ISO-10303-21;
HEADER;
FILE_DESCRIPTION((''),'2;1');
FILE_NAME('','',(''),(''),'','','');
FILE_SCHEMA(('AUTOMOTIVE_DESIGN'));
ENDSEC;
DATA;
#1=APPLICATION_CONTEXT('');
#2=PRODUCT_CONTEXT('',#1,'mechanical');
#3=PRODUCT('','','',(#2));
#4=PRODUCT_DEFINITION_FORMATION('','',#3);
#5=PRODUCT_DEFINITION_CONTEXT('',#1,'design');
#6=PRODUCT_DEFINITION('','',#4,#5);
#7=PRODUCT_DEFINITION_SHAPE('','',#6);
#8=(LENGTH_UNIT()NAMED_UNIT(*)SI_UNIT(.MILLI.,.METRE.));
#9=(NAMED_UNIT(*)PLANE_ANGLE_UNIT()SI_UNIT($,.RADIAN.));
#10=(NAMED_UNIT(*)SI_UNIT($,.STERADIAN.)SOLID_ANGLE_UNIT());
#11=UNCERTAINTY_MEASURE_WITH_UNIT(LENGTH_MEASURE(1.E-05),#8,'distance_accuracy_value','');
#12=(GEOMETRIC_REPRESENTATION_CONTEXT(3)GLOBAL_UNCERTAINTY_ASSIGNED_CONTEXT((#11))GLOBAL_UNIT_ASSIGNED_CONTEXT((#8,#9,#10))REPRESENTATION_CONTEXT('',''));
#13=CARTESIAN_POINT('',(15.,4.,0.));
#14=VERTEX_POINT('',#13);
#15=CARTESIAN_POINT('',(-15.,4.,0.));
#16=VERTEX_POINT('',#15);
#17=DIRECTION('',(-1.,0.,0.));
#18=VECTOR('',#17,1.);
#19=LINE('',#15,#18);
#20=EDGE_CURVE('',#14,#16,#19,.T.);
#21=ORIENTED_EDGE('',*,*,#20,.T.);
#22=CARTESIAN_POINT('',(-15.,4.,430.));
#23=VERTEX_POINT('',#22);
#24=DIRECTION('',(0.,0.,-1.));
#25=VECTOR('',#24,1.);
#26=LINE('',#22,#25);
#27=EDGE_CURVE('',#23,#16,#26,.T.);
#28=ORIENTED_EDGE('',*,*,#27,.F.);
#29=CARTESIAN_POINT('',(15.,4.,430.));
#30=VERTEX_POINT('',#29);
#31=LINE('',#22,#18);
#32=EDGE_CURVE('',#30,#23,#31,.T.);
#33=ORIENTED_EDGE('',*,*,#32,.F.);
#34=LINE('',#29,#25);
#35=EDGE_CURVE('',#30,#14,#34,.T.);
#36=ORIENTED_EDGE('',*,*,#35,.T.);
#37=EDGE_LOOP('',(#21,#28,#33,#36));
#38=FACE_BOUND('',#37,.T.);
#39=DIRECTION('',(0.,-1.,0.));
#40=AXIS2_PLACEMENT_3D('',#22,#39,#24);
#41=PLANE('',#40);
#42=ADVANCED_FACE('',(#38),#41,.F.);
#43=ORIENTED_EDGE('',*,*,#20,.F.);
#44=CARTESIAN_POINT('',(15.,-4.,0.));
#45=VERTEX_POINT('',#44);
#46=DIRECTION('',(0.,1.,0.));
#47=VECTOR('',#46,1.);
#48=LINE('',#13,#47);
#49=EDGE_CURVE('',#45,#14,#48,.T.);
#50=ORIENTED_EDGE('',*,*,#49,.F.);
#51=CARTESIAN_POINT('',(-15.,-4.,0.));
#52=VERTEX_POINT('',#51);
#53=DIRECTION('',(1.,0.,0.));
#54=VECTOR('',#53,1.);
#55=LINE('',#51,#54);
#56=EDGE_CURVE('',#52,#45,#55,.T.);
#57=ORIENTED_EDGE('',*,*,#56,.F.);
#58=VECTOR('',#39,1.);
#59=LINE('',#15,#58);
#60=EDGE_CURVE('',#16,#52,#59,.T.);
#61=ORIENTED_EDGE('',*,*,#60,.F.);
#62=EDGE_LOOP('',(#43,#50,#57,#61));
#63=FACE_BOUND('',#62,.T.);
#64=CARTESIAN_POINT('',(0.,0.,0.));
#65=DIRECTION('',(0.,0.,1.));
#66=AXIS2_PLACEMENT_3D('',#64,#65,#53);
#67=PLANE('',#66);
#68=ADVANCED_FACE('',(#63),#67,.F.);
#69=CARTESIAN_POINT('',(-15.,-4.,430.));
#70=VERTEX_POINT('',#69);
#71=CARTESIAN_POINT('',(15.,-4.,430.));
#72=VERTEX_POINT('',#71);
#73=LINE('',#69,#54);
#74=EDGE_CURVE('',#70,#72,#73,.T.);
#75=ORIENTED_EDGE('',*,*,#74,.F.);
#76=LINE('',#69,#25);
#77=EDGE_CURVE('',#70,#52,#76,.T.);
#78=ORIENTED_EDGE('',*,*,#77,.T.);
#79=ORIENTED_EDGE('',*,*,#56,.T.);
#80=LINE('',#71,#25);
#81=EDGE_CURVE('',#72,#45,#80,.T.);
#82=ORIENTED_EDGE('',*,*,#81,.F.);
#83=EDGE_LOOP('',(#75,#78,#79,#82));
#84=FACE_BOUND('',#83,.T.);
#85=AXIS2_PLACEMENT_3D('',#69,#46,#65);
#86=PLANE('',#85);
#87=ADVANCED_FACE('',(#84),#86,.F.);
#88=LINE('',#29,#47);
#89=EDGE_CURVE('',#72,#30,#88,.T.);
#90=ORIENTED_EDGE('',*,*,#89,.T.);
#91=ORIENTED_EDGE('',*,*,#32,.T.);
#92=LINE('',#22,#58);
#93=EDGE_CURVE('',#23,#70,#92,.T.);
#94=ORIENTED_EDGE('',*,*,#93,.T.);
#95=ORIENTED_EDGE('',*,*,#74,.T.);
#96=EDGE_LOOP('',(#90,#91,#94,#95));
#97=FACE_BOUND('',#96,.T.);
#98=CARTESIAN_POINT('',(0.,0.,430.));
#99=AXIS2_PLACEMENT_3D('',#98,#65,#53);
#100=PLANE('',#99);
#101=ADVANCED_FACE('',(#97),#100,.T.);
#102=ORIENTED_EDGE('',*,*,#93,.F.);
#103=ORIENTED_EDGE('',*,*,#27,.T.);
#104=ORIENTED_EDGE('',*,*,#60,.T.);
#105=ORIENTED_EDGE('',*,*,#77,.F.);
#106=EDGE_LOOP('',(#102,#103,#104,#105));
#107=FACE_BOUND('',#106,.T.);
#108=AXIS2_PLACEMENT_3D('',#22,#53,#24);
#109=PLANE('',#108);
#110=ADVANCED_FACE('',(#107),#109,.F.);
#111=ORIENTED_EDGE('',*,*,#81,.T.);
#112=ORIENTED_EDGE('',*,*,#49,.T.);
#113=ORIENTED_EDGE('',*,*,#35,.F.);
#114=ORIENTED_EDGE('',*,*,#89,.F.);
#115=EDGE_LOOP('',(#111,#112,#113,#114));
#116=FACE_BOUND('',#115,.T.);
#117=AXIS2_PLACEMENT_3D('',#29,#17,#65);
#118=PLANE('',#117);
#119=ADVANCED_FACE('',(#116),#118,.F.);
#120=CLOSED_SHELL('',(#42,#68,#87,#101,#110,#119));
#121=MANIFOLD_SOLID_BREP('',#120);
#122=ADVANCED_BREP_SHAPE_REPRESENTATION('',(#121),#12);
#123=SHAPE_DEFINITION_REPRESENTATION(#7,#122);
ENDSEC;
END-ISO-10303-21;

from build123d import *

# Parameters (mm, degrees)
SKETCH_1_W      = 30
SKETCH_1_H      = 8
EXTRUDE_1_DEPTH = 430


with BuildPart() as part:
    # 草图1 → 凸台-拉伸1 (new body)
    with BuildSketch(Plane.XY):
        Rectangle(SKETCH_1_W, SKETCH_1_H)
    extrude(amount=EXTRUDE_1_DEPTH)


solid = part.part
